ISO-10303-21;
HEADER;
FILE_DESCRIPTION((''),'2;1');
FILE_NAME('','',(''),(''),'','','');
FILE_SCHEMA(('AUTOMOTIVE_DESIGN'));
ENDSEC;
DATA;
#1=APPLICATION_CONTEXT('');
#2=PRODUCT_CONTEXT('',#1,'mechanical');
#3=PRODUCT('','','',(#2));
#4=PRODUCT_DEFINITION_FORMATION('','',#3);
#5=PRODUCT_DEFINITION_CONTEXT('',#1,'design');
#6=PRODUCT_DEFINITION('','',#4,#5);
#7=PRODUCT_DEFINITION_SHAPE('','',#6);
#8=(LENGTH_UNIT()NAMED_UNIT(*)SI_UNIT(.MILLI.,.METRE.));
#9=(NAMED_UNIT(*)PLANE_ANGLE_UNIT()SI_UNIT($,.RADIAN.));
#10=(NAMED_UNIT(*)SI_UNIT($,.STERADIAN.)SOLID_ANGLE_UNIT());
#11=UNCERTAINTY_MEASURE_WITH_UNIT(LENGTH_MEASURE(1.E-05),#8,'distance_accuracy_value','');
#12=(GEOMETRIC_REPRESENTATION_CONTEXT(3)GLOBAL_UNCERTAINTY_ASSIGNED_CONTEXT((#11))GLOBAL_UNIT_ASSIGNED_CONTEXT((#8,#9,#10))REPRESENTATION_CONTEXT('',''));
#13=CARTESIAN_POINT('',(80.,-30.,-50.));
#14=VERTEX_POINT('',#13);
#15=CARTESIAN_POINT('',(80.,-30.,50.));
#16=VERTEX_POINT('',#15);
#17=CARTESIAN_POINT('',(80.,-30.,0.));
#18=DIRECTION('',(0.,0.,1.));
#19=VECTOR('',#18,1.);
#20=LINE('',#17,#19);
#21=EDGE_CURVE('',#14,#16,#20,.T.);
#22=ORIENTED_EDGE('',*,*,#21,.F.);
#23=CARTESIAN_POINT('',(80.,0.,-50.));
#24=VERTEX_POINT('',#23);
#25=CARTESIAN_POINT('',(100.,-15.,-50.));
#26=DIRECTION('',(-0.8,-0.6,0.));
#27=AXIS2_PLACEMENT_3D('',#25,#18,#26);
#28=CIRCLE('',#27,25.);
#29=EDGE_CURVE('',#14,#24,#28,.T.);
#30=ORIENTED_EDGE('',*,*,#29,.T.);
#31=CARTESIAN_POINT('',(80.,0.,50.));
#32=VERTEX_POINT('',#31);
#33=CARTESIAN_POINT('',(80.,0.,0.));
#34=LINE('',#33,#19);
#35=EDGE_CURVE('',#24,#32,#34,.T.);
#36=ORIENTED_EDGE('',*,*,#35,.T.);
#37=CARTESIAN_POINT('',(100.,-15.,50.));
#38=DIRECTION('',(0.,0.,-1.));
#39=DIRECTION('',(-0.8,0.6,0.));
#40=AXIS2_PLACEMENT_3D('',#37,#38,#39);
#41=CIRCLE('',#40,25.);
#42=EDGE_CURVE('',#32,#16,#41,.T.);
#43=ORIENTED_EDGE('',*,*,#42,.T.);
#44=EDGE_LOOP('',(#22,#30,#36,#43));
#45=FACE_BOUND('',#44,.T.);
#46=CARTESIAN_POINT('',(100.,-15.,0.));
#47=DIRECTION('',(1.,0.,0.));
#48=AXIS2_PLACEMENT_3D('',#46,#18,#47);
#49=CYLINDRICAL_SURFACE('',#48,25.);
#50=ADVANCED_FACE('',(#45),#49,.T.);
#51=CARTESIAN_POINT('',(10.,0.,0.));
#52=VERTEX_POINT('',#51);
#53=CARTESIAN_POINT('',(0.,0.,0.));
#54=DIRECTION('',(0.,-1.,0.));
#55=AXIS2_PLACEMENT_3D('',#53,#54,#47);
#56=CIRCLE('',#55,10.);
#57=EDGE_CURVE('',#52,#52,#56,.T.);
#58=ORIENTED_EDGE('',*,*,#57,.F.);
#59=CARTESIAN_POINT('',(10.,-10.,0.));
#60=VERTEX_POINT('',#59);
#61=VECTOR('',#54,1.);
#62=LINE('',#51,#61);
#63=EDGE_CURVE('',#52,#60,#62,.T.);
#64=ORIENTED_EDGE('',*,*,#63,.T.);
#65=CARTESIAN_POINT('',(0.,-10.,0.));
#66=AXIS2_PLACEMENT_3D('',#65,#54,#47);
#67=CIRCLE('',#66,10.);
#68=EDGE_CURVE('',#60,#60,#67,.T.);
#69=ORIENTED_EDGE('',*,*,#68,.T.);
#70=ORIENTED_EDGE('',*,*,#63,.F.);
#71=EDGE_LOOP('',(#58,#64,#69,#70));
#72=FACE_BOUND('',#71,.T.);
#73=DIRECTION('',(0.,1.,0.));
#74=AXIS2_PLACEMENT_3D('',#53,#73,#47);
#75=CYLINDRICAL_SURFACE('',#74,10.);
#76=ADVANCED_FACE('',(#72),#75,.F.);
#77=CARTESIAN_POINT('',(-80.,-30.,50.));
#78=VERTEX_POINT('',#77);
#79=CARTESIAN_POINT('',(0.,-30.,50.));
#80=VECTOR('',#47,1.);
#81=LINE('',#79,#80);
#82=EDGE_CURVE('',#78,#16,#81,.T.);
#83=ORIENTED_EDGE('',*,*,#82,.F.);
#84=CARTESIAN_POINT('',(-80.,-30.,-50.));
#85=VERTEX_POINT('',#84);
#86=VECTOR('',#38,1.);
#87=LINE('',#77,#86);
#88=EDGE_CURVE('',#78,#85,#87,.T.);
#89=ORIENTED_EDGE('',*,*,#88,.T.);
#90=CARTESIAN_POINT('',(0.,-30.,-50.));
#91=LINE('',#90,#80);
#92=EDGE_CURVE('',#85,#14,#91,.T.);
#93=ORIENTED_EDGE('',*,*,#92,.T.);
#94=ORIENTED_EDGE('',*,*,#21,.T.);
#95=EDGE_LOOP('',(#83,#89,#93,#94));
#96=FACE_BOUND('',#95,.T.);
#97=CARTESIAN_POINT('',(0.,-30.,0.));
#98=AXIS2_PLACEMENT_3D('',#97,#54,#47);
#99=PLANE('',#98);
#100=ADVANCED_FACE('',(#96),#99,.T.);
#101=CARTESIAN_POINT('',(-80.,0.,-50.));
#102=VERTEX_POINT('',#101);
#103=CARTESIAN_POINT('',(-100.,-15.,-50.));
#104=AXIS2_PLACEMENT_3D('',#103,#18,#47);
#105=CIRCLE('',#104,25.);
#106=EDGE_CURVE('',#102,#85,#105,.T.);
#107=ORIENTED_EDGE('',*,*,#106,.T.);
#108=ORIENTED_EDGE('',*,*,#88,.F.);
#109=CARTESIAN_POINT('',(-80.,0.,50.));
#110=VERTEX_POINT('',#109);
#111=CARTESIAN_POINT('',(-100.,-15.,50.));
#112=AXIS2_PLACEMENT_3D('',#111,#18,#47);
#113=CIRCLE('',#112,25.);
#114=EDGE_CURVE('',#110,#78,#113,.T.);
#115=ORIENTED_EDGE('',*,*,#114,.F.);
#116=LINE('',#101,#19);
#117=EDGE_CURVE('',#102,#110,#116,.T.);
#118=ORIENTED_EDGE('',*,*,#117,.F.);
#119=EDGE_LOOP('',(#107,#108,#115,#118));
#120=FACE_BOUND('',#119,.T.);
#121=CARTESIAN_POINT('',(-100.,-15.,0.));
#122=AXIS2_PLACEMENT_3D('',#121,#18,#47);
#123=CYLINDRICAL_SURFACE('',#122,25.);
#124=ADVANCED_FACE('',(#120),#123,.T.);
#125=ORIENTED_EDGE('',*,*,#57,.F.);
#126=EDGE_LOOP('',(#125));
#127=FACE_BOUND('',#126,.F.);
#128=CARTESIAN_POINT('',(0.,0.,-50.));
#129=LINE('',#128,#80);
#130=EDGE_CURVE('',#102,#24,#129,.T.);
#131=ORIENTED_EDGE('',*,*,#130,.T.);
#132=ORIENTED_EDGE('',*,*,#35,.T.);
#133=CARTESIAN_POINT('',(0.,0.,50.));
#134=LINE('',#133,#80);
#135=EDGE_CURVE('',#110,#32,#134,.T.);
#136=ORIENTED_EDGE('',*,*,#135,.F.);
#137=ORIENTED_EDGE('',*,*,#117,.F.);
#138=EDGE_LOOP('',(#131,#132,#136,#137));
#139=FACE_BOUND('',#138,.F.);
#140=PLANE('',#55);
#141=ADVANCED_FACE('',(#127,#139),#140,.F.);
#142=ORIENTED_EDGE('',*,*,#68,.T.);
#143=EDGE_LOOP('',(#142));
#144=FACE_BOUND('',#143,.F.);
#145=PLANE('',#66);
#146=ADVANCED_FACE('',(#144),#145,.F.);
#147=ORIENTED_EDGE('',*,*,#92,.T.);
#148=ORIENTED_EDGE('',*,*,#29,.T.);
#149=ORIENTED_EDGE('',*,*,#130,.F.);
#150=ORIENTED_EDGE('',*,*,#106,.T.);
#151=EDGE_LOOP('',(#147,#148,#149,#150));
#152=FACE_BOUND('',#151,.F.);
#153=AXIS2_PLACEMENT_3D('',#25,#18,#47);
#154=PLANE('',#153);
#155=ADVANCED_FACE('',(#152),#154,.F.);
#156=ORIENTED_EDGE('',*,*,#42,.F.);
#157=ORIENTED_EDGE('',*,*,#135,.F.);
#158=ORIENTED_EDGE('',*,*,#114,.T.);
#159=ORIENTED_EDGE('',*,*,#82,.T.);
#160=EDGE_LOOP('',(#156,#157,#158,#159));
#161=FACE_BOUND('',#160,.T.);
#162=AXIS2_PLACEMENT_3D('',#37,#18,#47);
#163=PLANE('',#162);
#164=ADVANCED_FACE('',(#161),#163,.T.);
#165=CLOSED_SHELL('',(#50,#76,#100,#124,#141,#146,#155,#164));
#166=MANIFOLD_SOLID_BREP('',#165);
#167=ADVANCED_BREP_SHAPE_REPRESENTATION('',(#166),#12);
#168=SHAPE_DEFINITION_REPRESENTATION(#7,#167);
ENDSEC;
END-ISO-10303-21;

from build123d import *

# Parameters (mm, degrees)
F0_W     = 200
F0_H     = 100
F1_DEPTH = 30
F2_R     = 25
F3_DEPTH = 50
F4_R     = 10
F5_DEPTH = 10


with BuildPart() as f1:
    # F0 (on Front) → F1 (new body)
    with BuildSketch(Plane.XZ):
        Rectangle(F0_W, F0_H)
    extrude(amount=F1_DEPTH)

    # F2 (on Top) → F3 (join, symmetric)
    with BuildSketch(Plane.XY):
        with Locations((-100, -15)):
            Circle(F2_R)
        with Locations((100, -15)):
            Circle(F2_R)
    extrude(amount=F3_DEPTH, both=True)

    # F4 (on Front) → F5 (cut)
    with BuildSketch(Plane.XZ):
        Circle(F4_R)
    extrude(amount=F5_DEPTH, mode=Mode.SUBTRACT)


solid = f1.part
